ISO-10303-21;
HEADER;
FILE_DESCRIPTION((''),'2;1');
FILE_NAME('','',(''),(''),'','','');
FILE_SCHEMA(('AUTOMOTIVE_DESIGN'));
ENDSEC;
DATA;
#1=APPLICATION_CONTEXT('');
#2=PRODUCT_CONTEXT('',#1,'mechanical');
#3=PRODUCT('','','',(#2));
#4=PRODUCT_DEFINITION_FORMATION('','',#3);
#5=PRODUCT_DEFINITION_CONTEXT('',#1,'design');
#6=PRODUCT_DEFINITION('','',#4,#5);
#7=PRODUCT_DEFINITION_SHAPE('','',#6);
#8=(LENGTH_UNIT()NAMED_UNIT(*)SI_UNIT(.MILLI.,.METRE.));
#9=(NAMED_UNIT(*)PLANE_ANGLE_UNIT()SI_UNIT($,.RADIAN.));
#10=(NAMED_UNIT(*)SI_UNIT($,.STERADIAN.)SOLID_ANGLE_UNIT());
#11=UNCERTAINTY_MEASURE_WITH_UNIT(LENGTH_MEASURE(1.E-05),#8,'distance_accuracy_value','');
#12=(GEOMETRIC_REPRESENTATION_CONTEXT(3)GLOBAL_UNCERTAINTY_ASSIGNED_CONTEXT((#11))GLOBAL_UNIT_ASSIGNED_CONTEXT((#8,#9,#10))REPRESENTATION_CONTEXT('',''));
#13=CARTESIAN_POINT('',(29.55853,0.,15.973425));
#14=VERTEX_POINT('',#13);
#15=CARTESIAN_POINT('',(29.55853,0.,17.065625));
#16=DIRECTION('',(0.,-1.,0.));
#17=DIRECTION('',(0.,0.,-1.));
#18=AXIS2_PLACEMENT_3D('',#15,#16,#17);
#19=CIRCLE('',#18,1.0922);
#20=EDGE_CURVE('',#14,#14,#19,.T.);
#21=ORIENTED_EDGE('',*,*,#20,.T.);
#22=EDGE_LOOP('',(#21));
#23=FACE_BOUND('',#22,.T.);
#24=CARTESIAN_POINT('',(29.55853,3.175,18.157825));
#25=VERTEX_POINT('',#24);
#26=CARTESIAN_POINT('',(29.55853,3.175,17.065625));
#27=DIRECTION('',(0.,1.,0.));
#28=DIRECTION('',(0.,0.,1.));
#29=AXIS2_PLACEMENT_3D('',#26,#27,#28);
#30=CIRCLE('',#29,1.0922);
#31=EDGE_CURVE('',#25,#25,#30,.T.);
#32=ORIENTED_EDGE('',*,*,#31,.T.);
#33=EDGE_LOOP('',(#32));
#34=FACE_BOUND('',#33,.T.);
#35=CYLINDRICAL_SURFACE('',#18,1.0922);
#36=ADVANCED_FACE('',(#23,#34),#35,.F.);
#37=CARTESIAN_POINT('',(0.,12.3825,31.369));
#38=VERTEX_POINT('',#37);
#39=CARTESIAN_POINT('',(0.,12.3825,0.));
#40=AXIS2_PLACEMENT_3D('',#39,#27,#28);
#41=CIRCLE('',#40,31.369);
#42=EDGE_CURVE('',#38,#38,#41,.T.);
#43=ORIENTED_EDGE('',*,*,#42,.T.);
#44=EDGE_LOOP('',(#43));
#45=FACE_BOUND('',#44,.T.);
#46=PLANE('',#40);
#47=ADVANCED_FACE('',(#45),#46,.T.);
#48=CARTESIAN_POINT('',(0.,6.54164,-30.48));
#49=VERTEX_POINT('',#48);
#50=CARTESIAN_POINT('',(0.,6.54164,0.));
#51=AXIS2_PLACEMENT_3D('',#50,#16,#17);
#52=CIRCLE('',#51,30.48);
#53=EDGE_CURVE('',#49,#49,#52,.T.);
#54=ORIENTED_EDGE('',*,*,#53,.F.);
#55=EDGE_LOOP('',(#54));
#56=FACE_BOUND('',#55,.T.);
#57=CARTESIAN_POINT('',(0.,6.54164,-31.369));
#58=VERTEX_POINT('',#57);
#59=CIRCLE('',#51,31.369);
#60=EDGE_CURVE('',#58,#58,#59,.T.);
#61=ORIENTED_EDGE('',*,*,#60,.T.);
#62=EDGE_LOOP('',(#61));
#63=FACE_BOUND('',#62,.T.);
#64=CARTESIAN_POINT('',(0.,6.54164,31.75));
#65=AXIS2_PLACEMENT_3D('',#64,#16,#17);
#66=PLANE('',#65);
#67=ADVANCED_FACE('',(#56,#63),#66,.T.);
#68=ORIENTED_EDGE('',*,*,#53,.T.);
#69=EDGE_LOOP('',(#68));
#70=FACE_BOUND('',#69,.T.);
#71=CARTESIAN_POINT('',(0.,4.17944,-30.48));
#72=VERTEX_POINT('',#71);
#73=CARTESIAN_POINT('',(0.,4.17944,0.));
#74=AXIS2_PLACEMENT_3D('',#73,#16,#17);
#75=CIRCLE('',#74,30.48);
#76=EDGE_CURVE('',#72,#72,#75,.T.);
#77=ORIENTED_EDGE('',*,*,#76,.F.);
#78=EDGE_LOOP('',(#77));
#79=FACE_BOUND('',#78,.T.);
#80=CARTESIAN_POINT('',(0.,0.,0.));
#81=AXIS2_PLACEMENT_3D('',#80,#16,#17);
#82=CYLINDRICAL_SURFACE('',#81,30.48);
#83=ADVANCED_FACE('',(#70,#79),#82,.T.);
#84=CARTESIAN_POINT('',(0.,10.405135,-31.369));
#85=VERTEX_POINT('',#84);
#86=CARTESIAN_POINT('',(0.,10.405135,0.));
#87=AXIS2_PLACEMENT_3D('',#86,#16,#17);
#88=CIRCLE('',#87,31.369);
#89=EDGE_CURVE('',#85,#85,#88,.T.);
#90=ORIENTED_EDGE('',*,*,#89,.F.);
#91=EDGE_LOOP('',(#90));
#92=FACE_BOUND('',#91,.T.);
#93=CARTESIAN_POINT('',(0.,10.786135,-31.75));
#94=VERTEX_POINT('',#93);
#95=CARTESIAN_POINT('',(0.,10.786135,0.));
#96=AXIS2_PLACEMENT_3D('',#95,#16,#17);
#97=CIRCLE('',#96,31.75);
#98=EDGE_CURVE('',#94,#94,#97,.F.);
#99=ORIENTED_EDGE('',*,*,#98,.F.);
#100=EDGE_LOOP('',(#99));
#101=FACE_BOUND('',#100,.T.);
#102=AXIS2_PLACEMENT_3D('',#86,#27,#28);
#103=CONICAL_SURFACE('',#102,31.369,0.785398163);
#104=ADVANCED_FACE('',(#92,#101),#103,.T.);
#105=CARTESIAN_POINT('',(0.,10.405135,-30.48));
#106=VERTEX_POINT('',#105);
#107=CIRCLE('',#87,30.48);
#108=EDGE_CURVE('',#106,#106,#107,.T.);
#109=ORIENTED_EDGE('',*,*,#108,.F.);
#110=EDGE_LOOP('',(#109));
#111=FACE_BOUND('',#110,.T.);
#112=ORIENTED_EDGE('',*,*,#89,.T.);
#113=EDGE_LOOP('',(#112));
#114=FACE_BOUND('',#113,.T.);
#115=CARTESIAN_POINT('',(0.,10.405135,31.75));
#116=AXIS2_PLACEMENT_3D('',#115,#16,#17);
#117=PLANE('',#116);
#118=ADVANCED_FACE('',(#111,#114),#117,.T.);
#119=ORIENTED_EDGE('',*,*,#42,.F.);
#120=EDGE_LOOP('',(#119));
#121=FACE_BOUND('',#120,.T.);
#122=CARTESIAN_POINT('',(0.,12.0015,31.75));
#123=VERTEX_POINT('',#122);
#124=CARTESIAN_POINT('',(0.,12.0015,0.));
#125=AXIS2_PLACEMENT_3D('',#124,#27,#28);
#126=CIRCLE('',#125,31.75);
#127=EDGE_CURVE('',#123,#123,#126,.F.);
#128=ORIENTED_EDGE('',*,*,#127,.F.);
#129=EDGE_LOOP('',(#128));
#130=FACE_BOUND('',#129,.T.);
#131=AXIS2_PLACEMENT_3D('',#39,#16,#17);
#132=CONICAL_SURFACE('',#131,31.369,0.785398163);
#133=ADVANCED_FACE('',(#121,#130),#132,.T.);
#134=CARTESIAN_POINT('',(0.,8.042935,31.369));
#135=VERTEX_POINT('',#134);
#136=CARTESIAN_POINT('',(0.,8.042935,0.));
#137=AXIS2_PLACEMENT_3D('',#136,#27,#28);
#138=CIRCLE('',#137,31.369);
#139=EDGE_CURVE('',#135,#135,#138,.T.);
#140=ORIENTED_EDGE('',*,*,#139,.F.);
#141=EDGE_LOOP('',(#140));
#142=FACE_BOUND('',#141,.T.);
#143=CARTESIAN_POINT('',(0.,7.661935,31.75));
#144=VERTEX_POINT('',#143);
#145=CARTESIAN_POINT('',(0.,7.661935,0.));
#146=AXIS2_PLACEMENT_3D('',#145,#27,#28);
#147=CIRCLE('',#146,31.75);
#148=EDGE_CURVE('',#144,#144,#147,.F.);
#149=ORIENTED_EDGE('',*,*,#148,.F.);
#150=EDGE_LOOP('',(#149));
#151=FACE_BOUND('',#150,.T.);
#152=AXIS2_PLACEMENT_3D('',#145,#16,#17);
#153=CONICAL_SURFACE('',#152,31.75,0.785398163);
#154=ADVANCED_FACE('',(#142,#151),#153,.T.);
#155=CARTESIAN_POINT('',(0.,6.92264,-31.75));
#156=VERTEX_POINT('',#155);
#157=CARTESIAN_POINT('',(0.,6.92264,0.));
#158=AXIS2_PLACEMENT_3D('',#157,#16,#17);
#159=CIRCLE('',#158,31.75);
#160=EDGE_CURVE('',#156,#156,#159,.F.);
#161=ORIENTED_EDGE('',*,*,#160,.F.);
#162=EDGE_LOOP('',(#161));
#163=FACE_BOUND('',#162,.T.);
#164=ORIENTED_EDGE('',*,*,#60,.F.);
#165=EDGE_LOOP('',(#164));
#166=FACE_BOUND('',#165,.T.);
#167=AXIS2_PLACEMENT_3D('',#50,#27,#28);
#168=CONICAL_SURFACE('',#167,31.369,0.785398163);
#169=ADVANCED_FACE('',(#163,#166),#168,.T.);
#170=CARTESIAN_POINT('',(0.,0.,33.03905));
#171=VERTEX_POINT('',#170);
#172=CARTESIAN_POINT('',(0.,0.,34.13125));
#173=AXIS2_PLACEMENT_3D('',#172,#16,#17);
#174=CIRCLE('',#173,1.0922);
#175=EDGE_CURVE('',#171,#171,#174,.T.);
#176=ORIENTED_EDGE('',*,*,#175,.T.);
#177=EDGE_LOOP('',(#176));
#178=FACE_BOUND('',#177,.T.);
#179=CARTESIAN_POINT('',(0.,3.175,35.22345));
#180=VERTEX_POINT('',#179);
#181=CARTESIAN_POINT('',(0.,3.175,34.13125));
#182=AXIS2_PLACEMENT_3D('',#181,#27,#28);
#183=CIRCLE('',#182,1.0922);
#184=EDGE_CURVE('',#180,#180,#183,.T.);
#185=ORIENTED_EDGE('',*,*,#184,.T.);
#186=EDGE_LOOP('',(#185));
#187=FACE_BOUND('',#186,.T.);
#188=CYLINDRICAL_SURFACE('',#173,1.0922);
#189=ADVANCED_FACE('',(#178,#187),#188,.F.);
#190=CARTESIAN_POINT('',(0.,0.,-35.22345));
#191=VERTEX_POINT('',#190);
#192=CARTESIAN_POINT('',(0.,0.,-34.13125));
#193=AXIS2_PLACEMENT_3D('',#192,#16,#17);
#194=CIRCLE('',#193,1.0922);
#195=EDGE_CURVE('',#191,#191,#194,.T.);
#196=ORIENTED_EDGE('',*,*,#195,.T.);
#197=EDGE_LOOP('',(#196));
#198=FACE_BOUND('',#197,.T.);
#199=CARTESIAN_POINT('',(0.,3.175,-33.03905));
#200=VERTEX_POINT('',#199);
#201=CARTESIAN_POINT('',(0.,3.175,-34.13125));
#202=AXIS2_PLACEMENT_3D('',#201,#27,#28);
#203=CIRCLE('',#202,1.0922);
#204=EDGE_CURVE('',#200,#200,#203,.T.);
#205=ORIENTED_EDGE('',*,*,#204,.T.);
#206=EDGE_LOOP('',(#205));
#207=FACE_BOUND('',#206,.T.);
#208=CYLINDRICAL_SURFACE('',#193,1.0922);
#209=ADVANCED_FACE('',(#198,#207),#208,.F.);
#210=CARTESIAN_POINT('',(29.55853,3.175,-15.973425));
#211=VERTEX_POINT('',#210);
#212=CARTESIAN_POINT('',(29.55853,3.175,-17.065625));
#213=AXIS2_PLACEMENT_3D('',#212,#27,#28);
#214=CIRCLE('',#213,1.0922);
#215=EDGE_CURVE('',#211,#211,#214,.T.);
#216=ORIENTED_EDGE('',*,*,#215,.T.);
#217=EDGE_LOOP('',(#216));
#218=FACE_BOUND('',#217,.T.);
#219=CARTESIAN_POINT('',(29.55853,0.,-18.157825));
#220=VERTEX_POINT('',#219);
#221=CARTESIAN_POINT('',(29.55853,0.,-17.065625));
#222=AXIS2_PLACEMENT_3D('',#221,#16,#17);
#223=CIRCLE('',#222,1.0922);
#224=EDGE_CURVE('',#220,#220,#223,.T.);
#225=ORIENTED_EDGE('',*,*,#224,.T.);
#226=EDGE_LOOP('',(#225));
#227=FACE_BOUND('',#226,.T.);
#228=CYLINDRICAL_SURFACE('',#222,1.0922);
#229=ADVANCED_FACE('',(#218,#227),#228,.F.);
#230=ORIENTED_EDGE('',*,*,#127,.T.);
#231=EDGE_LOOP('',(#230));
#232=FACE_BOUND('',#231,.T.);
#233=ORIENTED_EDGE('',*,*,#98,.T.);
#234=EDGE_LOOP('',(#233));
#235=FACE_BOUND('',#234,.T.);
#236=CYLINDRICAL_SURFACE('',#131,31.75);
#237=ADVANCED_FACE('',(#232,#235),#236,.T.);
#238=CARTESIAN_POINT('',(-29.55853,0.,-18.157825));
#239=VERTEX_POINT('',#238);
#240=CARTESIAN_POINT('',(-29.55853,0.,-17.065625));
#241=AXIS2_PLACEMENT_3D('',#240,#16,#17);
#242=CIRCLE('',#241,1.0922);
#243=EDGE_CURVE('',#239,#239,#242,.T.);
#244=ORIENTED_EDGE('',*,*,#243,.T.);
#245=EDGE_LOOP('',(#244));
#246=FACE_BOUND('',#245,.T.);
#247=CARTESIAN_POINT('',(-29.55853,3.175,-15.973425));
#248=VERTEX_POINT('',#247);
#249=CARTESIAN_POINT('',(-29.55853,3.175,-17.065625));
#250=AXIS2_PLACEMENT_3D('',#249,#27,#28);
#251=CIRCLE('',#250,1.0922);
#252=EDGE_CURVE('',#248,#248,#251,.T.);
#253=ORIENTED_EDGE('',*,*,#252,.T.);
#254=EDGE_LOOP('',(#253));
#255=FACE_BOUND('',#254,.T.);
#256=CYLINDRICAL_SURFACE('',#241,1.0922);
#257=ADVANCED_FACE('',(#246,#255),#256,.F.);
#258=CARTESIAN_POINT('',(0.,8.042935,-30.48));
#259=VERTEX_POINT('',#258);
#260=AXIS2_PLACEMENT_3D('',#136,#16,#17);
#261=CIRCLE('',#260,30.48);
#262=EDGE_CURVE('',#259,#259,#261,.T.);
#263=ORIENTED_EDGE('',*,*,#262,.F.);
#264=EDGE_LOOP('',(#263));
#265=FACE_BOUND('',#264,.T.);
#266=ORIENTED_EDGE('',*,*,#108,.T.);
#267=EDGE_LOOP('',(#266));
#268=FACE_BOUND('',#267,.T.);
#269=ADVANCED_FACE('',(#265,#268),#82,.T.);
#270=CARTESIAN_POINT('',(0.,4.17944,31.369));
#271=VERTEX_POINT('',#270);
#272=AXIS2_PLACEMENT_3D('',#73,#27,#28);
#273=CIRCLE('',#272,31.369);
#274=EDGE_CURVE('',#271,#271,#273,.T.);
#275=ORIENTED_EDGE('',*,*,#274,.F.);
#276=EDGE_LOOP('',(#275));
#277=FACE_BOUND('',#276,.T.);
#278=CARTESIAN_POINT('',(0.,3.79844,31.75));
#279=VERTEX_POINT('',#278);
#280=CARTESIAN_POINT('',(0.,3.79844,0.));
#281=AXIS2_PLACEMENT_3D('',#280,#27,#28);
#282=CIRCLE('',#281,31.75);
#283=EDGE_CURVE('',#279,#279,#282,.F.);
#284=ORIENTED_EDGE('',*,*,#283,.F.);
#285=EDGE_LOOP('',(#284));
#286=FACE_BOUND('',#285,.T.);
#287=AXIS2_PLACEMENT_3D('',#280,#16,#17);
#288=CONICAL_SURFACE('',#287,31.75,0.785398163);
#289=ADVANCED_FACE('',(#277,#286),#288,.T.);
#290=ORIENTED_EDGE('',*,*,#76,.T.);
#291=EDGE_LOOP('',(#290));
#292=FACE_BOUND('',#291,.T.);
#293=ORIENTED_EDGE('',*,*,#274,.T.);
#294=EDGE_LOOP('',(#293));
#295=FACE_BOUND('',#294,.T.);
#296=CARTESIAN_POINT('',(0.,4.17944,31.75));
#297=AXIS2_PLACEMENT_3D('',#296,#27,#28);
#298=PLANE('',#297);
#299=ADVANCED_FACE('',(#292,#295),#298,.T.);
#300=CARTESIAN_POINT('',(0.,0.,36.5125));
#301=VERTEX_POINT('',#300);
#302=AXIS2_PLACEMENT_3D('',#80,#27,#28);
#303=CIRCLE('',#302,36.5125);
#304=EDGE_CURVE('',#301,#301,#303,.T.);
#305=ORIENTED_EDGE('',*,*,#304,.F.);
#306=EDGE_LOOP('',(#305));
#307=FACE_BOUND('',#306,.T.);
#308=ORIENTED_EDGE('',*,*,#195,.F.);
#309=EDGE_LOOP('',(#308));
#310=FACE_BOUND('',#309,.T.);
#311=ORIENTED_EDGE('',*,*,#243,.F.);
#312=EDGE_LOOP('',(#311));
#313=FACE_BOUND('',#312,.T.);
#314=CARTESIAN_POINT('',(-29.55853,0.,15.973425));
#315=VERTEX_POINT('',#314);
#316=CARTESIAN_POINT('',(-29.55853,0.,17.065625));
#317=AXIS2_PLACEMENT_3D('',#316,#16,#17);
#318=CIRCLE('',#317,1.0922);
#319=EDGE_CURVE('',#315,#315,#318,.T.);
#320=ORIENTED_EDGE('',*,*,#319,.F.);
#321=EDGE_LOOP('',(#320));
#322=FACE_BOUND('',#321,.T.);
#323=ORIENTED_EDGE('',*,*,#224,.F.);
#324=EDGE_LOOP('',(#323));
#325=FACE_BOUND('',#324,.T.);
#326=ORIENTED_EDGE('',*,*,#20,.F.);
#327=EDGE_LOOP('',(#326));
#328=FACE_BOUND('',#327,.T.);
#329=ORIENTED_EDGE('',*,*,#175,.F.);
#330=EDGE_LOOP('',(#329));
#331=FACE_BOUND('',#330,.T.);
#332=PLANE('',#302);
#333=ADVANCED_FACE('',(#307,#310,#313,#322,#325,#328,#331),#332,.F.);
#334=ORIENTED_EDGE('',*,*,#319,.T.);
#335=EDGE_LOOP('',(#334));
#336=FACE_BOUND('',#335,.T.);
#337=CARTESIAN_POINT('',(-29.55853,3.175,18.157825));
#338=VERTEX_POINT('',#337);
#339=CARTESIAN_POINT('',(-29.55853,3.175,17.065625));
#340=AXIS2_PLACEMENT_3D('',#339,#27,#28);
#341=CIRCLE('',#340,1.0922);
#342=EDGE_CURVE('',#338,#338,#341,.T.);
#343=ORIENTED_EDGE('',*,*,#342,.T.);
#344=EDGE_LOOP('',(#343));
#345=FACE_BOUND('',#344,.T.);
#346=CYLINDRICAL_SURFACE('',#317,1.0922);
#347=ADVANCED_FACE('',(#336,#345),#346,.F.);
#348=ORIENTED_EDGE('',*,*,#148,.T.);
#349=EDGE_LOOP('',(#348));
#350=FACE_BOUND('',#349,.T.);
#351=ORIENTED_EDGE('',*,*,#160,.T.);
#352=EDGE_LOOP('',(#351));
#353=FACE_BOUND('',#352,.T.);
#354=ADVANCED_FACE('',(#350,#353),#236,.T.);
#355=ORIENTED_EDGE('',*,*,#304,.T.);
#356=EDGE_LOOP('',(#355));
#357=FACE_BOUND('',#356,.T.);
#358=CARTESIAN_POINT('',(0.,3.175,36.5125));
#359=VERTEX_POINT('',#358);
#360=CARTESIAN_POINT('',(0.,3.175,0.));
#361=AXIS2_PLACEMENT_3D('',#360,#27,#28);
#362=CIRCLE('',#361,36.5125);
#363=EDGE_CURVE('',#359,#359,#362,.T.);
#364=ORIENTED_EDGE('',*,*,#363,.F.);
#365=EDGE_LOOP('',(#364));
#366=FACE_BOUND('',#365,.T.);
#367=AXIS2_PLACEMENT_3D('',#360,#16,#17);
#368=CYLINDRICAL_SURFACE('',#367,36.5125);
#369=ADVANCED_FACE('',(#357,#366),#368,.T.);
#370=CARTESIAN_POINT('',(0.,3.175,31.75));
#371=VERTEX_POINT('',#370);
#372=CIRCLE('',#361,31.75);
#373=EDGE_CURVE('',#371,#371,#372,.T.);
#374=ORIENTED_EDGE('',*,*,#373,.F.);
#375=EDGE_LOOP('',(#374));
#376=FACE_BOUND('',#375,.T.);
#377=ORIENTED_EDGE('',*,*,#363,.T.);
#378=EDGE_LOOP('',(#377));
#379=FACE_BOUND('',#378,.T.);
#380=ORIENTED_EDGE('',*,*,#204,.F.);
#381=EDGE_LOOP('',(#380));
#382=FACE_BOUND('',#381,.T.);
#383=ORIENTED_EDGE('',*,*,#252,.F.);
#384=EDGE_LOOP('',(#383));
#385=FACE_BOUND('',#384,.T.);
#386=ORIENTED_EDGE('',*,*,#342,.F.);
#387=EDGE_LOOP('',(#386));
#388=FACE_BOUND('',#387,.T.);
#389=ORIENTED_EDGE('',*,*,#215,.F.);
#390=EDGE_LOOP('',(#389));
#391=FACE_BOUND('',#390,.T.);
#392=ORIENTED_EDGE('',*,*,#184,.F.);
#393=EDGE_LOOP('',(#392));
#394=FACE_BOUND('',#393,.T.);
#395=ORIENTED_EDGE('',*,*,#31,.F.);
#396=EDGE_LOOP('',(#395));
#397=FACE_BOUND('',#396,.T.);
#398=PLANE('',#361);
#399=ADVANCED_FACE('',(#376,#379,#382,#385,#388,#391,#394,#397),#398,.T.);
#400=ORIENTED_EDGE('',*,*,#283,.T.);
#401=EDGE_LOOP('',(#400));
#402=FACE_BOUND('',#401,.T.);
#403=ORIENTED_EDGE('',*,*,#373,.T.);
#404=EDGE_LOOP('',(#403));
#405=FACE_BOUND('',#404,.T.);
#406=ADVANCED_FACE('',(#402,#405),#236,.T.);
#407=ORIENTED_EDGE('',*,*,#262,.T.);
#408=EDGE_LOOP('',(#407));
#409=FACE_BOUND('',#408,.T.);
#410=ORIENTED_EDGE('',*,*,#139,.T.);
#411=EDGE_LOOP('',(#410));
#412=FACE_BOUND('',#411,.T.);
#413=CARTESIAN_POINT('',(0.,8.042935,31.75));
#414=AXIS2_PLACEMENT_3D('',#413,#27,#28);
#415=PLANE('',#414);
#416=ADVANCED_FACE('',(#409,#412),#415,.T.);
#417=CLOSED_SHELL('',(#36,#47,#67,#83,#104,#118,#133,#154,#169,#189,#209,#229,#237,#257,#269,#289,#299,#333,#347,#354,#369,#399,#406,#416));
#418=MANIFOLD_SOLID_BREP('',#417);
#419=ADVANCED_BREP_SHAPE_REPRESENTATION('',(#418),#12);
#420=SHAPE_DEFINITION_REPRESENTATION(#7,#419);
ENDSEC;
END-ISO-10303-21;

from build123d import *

# Parameters (mm, degrees)
SKETCH1_R                       = 36.5125
EXTRUDE1_DEPTH                  = 3.175
SKETCH2_R                       = 31.75
EXTRUDE2_DEPTH                  = 9.2075
SKETCH4_W                       = 1.27
SKETCH4_H                       = 2.3622
CHAMFER1_SIZE                   = 0.381
F_2_56_TAPPED_HOLE1_D           = 1.778
F_2_56_TAPPED_HOLE1_DEPTH       = 5.588
F_2_56_TAPPED_HOLE1_CBORE_D     = 2.1844
F_2_56_TAPPED_HOLE1_CBORE_DEPTH = 4.318
F_2_56_TAPPED_HOLE1_TIP         = 0.53416509


with BuildPart() as part:
    # Sketch1 → Extrude1 (new body)
    with BuildSketch(Plane(origin=(0, 0, 0), x_dir=(1, 0, 0), z_dir=(0, 1, 0))):
        Circle(SKETCH1_R)
    extrude(amount=EXTRUDE1_DEPTH)

    # Sketch2 → Extrude2 (add)
    with BuildSketch(Plane(origin=(0, 3.175, 0), x_dir=(-1, 0, 0), z_dir=(0, 1, 0))):
        Circle(SKETCH2_R)
    extrude(amount=EXTRUDE2_DEPTH)

    # Sketch4 → Cut-Revolve7 (revolve, cut)
    with BuildSketch(Plane(origin=(0, 0, 0), x_dir=(0, 0, -1), z_dir=(1, 0, 0))):
        with Locations((-31.115, 9.224034757)):
            Rectangle(SKETCH4_W, SKETCH4_H)
        with Locations((-31.115, 5.360539726)):
            Rectangle(SKETCH4_W, SKETCH4_H)
    revolve(axis=Axis((0, 0, 0), (0, 1, 0)), mode=Mode.SUBTRACT)

    # Chamfer1
    chamfer1_edges = [part.edges().sort_by_distance(p)[0] for p in [
        (31.75, 10.405134757, 0),
        (31.75, 8.042934757, 0),
        (31.75, 6.541639726, 0),
        (31.75, 4.179439726, 0),
        (31.75, 12.3825, 0),
    ]]
    chamfer(chamfer1_edges, length=CHAMFER1_SIZE)

    # #2-56 Tapped Hole1
    with Locations(Plane(origin=(-29.558529563, 0, 17.065625), x_dir=(0, 0, -1), z_dir=(0, -1, 0))):
        with Locations((0, 0), (-17.065625, 29.558529563), (0, 59.117059126), (34.13125, 59.117059126), (51.196875, 29.558529563), (34.13125, 0)):
            CounterBoreHole(F_2_56_TAPPED_HOLE1_D / 2, F_2_56_TAPPED_HOLE1_CBORE_D / 2, F_2_56_TAPPED_HOLE1_CBORE_DEPTH, depth=F_2_56_TAPPED_HOLE1_DEPTH)
            with Locations((0, 0, -(F_2_56_TAPPED_HOLE1_DEPTH + F_2_56_TAPPED_HOLE1_TIP / 2))):  # 118° drill point
                Cone(0, F_2_56_TAPPED_HOLE1_D / 2, F_2_56_TAPPED_HOLE1_TIP, mode=Mode.SUBTRACT)


solid = part.part
